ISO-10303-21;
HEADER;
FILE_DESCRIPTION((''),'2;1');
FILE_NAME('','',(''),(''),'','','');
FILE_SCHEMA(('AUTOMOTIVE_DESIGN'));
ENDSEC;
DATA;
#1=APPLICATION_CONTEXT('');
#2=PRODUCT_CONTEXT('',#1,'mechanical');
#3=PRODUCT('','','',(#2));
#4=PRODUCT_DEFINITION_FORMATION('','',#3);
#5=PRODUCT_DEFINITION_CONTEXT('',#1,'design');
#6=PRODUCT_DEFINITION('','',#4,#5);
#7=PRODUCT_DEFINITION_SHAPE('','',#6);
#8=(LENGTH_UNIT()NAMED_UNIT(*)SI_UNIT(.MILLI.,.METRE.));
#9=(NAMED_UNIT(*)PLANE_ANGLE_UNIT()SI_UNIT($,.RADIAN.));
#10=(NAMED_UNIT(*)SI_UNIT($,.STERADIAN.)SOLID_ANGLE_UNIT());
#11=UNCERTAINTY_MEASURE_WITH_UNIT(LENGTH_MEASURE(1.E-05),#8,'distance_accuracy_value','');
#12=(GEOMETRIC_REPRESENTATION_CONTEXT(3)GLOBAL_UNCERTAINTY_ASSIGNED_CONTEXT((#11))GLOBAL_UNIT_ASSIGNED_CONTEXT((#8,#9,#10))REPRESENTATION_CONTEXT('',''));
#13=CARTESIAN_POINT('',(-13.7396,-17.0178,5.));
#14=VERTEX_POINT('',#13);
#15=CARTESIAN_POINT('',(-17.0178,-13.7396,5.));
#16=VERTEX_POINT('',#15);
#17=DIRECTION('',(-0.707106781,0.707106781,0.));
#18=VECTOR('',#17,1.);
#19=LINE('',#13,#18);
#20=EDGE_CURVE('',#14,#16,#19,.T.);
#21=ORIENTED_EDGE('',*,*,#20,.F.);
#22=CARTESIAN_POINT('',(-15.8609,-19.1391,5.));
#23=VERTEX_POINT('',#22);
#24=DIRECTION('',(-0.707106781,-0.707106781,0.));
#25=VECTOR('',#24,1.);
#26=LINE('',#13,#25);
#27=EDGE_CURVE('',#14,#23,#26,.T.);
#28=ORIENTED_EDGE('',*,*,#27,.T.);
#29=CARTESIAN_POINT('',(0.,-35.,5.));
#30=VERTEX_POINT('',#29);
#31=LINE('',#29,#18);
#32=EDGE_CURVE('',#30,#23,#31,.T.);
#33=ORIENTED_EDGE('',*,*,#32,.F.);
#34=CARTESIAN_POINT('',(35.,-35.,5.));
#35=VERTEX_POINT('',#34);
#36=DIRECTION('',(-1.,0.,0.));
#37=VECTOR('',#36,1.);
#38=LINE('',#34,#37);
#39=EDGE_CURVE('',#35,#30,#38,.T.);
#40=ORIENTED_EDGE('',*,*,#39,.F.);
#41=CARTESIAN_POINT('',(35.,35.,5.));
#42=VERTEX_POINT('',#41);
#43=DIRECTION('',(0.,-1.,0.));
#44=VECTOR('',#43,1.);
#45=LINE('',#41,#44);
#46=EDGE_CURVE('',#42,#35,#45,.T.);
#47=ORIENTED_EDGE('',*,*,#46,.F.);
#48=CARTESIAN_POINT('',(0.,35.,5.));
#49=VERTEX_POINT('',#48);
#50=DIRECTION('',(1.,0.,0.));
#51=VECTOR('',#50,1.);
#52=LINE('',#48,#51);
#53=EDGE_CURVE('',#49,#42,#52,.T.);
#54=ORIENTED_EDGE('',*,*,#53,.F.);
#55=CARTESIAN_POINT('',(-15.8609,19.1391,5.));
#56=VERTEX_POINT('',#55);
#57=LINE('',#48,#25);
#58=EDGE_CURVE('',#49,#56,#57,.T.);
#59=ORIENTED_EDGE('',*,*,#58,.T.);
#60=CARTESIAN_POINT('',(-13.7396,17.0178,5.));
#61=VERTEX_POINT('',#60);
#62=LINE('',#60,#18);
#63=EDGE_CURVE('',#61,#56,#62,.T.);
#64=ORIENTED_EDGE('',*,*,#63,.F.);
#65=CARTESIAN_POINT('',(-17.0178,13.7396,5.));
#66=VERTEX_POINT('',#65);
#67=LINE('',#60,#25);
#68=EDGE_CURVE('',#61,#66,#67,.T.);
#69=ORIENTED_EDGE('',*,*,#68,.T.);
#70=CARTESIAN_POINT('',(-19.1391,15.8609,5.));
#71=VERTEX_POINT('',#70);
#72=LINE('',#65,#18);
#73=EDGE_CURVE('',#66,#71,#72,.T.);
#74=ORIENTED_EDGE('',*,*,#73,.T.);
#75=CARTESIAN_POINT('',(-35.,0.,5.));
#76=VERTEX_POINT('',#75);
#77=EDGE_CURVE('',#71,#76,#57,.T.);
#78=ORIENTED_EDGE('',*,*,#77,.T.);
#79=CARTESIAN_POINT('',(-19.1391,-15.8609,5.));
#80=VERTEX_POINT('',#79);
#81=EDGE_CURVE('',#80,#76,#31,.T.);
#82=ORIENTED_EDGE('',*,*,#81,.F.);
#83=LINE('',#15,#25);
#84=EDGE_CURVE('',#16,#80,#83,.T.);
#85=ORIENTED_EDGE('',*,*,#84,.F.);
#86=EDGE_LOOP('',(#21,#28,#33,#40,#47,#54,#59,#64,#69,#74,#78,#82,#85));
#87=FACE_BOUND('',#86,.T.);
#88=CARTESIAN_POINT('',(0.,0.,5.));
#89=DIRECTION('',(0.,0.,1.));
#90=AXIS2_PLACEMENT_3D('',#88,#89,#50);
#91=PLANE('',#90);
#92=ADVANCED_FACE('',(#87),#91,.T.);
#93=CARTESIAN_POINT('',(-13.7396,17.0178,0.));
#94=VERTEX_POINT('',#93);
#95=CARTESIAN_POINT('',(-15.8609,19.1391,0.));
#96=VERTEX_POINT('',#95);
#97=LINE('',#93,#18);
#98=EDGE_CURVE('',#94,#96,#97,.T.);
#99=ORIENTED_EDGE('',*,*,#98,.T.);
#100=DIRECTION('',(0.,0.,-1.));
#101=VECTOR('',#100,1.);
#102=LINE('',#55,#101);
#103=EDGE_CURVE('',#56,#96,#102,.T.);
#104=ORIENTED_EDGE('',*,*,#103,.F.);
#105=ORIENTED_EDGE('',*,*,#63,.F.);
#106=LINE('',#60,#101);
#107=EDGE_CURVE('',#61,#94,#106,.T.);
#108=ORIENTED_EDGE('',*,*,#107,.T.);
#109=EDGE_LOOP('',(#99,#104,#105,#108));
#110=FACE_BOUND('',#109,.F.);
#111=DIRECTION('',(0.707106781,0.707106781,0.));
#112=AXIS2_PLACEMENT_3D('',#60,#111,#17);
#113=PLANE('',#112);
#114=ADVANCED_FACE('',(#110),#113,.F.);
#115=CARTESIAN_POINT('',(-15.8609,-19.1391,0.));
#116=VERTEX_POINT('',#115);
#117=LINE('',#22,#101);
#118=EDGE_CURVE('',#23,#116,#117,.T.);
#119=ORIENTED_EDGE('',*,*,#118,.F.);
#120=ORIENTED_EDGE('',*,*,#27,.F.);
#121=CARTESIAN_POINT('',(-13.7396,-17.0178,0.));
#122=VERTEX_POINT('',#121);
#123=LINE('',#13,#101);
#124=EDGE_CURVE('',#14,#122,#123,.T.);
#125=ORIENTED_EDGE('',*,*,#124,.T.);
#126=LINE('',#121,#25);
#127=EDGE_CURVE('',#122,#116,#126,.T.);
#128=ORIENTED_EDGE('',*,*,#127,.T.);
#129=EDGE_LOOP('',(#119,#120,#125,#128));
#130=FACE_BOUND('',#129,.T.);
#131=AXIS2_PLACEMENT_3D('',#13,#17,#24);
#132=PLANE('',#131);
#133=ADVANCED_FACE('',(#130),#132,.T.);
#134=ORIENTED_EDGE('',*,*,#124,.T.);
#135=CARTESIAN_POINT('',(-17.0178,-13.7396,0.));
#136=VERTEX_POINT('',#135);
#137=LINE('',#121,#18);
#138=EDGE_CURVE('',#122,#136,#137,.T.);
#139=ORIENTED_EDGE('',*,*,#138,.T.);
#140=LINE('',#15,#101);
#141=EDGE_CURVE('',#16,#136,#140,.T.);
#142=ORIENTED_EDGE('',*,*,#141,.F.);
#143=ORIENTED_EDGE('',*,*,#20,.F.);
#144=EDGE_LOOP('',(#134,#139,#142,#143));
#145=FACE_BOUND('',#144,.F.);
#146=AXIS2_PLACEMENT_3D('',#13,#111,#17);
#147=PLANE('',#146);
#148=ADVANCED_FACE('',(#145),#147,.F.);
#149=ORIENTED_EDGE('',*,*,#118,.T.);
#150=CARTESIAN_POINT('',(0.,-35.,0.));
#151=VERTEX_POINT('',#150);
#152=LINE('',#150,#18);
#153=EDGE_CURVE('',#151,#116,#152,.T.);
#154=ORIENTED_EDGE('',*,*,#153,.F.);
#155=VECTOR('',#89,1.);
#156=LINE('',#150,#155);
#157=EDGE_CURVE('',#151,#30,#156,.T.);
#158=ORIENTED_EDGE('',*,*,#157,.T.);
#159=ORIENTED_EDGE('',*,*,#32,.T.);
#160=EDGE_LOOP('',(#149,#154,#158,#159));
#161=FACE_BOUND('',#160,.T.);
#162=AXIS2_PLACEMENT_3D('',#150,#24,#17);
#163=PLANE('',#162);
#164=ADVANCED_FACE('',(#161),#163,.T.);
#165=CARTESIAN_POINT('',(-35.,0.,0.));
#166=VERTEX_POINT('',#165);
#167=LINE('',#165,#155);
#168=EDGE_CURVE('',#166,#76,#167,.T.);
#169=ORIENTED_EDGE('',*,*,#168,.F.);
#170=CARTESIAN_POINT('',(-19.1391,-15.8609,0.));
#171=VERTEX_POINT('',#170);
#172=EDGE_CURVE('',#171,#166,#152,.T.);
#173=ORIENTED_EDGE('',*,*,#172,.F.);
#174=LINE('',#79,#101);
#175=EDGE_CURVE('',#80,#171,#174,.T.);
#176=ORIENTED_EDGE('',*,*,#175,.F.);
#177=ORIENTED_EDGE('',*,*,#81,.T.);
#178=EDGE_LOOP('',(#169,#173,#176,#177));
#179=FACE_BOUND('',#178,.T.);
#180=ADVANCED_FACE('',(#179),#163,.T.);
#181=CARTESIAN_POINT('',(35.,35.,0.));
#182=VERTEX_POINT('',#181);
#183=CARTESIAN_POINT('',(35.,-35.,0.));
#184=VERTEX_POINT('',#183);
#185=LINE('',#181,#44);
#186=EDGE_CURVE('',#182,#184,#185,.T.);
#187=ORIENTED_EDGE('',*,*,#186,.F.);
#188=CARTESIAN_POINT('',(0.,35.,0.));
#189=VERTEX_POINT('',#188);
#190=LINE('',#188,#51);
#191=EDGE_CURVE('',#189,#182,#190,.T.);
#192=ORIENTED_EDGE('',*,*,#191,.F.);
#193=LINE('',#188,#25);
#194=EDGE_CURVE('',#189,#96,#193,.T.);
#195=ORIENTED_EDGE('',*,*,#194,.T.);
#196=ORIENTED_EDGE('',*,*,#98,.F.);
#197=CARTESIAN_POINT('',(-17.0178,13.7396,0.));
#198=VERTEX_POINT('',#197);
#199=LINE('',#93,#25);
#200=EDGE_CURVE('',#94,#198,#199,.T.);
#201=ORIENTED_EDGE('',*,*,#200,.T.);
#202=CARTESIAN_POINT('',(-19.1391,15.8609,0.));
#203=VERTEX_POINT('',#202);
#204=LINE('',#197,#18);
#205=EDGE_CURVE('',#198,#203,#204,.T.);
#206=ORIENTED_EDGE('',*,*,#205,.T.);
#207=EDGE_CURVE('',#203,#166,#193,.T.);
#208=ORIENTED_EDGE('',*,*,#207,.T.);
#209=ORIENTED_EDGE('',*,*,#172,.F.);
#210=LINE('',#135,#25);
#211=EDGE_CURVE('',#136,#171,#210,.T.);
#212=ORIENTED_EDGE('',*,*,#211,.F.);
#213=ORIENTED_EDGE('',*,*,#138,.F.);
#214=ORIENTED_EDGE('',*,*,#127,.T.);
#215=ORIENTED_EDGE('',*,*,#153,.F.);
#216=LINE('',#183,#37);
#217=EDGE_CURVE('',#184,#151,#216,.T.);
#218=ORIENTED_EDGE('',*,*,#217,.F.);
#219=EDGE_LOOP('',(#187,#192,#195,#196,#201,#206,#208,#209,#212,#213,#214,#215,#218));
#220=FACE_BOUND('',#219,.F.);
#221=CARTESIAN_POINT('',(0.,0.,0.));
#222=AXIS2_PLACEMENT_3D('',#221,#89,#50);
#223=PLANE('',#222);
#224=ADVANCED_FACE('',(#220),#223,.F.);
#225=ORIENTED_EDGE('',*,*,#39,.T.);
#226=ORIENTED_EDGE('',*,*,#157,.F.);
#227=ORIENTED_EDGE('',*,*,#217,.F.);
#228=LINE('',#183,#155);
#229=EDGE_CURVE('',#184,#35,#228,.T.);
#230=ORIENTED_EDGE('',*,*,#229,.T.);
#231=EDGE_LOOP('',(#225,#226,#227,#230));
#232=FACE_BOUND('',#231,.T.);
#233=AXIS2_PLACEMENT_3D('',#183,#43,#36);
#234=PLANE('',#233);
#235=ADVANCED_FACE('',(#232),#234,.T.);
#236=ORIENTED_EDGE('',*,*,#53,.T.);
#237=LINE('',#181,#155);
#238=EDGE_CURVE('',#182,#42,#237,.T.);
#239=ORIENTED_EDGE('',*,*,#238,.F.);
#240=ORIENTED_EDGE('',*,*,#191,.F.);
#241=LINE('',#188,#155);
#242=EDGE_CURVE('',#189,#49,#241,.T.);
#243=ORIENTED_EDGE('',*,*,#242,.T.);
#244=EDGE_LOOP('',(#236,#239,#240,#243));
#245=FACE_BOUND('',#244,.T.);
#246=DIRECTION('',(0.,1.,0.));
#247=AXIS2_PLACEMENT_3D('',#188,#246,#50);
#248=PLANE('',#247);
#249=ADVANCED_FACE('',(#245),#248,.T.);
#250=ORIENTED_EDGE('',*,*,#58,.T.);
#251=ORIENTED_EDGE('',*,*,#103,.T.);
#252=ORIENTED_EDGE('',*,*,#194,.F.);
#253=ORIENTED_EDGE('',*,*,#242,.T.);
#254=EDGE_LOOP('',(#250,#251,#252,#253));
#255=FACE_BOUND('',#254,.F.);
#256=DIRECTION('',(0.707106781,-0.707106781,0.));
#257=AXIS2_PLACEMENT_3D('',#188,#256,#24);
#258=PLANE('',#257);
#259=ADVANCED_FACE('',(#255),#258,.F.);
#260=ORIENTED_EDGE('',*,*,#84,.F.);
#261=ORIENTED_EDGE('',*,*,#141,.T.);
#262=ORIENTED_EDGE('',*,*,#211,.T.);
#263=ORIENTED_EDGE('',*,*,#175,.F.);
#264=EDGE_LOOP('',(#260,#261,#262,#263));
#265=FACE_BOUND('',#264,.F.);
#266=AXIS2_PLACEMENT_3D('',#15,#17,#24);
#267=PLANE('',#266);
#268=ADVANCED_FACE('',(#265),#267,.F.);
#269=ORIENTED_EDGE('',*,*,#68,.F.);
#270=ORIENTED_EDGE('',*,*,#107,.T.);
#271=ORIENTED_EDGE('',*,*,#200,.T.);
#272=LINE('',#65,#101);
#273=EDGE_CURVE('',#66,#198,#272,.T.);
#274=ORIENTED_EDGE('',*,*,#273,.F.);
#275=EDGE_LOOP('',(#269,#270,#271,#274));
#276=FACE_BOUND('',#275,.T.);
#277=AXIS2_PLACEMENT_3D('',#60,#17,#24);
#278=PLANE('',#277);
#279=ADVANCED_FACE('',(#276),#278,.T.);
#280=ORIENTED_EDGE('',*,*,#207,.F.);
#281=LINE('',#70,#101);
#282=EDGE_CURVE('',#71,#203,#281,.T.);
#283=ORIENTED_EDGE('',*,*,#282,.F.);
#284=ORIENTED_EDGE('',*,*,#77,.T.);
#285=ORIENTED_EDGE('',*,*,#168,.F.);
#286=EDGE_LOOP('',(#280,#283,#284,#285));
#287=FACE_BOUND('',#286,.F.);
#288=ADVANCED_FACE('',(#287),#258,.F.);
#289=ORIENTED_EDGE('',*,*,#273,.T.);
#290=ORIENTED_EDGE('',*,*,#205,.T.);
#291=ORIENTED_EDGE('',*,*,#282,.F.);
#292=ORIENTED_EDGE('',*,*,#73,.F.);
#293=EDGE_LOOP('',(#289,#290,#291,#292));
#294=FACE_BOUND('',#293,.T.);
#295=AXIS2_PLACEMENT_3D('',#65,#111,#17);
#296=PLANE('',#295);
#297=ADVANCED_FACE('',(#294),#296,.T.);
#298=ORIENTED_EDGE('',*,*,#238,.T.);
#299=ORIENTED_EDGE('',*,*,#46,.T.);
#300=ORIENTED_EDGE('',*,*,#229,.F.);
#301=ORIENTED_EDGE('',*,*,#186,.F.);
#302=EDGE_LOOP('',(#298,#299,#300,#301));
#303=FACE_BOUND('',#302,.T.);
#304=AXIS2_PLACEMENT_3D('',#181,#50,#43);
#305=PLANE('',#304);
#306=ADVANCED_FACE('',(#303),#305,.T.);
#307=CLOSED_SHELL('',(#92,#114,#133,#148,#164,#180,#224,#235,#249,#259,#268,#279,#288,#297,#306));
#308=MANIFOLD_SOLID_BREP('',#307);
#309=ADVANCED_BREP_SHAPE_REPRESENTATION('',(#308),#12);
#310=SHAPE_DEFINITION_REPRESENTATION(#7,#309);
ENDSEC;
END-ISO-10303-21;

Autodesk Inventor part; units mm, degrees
ref_plane "YZ Plane" through (0, 0, 0) normal (1, 0, 0) x (0, 1, 0)
ref_plane "XZ Plane" through (0, 0, 0) normal (0, 1, 0) x (-1, 0, 0)
ref_plane "XY Plane" through (0, 0, 0) normal (0, 0, 1) x (1, 0, 0)
sketch "Sketch1" plane through (0, 0, 0) normal (0, 0, 1) x (1, 0, 0)
  line L0 (0, 35) -> (35, 35)
  line L1 (35, 35) -> (35, -35)
  line L2 (0, -35) -> (-35, 0)
  line L3 (0, 35) -> (-35, 0)
  line L4 (35, -35) -> (0, -35)
  point P0 (0, 0)
  dimension "d1" = 70
extrude "Extrusion1" add sketch "Sketch1" along normal blind 5
sketch "Sketch2" plane through (0, 0, 5) normal (0, 0, 1) x (1, 0, 0)
  line L0 (0, 35) -> (-35, 0) projected
  line L1 (-35, 0) -> (0, -35) projected
  line L2 (-13.7396, 17.0178) -> (-15.8609, 19.1391)
  line L3 (-17.0178, 13.7396) -> (-19.1391, 15.8609)
  line L4 (-13.7396, 17.0178) -> (-17.0178, 13.7396)
  line L5 (0, 0) -> (-35, 0)
  line L6 (-13.7396, -17.0178) -> (-15.8609, -19.1391)
  line L7 (-17.0178, -13.7396) -> (-19.1391, -15.8609)
  line L8 (-13.7396, -17.0178) -> (-17.0178, -13.7396)
  line L9 (-15.8609, 19.1391) -> (-19.1391, 15.8609)
  line L10 (-19.1391, -15.8609) -> (-15.8609, -19.1391)
  dimension "d6" = 4.636
extrude "Extrusion2" cut sketch "Sketch2" against normal blind 5
properties part number "frame1"
